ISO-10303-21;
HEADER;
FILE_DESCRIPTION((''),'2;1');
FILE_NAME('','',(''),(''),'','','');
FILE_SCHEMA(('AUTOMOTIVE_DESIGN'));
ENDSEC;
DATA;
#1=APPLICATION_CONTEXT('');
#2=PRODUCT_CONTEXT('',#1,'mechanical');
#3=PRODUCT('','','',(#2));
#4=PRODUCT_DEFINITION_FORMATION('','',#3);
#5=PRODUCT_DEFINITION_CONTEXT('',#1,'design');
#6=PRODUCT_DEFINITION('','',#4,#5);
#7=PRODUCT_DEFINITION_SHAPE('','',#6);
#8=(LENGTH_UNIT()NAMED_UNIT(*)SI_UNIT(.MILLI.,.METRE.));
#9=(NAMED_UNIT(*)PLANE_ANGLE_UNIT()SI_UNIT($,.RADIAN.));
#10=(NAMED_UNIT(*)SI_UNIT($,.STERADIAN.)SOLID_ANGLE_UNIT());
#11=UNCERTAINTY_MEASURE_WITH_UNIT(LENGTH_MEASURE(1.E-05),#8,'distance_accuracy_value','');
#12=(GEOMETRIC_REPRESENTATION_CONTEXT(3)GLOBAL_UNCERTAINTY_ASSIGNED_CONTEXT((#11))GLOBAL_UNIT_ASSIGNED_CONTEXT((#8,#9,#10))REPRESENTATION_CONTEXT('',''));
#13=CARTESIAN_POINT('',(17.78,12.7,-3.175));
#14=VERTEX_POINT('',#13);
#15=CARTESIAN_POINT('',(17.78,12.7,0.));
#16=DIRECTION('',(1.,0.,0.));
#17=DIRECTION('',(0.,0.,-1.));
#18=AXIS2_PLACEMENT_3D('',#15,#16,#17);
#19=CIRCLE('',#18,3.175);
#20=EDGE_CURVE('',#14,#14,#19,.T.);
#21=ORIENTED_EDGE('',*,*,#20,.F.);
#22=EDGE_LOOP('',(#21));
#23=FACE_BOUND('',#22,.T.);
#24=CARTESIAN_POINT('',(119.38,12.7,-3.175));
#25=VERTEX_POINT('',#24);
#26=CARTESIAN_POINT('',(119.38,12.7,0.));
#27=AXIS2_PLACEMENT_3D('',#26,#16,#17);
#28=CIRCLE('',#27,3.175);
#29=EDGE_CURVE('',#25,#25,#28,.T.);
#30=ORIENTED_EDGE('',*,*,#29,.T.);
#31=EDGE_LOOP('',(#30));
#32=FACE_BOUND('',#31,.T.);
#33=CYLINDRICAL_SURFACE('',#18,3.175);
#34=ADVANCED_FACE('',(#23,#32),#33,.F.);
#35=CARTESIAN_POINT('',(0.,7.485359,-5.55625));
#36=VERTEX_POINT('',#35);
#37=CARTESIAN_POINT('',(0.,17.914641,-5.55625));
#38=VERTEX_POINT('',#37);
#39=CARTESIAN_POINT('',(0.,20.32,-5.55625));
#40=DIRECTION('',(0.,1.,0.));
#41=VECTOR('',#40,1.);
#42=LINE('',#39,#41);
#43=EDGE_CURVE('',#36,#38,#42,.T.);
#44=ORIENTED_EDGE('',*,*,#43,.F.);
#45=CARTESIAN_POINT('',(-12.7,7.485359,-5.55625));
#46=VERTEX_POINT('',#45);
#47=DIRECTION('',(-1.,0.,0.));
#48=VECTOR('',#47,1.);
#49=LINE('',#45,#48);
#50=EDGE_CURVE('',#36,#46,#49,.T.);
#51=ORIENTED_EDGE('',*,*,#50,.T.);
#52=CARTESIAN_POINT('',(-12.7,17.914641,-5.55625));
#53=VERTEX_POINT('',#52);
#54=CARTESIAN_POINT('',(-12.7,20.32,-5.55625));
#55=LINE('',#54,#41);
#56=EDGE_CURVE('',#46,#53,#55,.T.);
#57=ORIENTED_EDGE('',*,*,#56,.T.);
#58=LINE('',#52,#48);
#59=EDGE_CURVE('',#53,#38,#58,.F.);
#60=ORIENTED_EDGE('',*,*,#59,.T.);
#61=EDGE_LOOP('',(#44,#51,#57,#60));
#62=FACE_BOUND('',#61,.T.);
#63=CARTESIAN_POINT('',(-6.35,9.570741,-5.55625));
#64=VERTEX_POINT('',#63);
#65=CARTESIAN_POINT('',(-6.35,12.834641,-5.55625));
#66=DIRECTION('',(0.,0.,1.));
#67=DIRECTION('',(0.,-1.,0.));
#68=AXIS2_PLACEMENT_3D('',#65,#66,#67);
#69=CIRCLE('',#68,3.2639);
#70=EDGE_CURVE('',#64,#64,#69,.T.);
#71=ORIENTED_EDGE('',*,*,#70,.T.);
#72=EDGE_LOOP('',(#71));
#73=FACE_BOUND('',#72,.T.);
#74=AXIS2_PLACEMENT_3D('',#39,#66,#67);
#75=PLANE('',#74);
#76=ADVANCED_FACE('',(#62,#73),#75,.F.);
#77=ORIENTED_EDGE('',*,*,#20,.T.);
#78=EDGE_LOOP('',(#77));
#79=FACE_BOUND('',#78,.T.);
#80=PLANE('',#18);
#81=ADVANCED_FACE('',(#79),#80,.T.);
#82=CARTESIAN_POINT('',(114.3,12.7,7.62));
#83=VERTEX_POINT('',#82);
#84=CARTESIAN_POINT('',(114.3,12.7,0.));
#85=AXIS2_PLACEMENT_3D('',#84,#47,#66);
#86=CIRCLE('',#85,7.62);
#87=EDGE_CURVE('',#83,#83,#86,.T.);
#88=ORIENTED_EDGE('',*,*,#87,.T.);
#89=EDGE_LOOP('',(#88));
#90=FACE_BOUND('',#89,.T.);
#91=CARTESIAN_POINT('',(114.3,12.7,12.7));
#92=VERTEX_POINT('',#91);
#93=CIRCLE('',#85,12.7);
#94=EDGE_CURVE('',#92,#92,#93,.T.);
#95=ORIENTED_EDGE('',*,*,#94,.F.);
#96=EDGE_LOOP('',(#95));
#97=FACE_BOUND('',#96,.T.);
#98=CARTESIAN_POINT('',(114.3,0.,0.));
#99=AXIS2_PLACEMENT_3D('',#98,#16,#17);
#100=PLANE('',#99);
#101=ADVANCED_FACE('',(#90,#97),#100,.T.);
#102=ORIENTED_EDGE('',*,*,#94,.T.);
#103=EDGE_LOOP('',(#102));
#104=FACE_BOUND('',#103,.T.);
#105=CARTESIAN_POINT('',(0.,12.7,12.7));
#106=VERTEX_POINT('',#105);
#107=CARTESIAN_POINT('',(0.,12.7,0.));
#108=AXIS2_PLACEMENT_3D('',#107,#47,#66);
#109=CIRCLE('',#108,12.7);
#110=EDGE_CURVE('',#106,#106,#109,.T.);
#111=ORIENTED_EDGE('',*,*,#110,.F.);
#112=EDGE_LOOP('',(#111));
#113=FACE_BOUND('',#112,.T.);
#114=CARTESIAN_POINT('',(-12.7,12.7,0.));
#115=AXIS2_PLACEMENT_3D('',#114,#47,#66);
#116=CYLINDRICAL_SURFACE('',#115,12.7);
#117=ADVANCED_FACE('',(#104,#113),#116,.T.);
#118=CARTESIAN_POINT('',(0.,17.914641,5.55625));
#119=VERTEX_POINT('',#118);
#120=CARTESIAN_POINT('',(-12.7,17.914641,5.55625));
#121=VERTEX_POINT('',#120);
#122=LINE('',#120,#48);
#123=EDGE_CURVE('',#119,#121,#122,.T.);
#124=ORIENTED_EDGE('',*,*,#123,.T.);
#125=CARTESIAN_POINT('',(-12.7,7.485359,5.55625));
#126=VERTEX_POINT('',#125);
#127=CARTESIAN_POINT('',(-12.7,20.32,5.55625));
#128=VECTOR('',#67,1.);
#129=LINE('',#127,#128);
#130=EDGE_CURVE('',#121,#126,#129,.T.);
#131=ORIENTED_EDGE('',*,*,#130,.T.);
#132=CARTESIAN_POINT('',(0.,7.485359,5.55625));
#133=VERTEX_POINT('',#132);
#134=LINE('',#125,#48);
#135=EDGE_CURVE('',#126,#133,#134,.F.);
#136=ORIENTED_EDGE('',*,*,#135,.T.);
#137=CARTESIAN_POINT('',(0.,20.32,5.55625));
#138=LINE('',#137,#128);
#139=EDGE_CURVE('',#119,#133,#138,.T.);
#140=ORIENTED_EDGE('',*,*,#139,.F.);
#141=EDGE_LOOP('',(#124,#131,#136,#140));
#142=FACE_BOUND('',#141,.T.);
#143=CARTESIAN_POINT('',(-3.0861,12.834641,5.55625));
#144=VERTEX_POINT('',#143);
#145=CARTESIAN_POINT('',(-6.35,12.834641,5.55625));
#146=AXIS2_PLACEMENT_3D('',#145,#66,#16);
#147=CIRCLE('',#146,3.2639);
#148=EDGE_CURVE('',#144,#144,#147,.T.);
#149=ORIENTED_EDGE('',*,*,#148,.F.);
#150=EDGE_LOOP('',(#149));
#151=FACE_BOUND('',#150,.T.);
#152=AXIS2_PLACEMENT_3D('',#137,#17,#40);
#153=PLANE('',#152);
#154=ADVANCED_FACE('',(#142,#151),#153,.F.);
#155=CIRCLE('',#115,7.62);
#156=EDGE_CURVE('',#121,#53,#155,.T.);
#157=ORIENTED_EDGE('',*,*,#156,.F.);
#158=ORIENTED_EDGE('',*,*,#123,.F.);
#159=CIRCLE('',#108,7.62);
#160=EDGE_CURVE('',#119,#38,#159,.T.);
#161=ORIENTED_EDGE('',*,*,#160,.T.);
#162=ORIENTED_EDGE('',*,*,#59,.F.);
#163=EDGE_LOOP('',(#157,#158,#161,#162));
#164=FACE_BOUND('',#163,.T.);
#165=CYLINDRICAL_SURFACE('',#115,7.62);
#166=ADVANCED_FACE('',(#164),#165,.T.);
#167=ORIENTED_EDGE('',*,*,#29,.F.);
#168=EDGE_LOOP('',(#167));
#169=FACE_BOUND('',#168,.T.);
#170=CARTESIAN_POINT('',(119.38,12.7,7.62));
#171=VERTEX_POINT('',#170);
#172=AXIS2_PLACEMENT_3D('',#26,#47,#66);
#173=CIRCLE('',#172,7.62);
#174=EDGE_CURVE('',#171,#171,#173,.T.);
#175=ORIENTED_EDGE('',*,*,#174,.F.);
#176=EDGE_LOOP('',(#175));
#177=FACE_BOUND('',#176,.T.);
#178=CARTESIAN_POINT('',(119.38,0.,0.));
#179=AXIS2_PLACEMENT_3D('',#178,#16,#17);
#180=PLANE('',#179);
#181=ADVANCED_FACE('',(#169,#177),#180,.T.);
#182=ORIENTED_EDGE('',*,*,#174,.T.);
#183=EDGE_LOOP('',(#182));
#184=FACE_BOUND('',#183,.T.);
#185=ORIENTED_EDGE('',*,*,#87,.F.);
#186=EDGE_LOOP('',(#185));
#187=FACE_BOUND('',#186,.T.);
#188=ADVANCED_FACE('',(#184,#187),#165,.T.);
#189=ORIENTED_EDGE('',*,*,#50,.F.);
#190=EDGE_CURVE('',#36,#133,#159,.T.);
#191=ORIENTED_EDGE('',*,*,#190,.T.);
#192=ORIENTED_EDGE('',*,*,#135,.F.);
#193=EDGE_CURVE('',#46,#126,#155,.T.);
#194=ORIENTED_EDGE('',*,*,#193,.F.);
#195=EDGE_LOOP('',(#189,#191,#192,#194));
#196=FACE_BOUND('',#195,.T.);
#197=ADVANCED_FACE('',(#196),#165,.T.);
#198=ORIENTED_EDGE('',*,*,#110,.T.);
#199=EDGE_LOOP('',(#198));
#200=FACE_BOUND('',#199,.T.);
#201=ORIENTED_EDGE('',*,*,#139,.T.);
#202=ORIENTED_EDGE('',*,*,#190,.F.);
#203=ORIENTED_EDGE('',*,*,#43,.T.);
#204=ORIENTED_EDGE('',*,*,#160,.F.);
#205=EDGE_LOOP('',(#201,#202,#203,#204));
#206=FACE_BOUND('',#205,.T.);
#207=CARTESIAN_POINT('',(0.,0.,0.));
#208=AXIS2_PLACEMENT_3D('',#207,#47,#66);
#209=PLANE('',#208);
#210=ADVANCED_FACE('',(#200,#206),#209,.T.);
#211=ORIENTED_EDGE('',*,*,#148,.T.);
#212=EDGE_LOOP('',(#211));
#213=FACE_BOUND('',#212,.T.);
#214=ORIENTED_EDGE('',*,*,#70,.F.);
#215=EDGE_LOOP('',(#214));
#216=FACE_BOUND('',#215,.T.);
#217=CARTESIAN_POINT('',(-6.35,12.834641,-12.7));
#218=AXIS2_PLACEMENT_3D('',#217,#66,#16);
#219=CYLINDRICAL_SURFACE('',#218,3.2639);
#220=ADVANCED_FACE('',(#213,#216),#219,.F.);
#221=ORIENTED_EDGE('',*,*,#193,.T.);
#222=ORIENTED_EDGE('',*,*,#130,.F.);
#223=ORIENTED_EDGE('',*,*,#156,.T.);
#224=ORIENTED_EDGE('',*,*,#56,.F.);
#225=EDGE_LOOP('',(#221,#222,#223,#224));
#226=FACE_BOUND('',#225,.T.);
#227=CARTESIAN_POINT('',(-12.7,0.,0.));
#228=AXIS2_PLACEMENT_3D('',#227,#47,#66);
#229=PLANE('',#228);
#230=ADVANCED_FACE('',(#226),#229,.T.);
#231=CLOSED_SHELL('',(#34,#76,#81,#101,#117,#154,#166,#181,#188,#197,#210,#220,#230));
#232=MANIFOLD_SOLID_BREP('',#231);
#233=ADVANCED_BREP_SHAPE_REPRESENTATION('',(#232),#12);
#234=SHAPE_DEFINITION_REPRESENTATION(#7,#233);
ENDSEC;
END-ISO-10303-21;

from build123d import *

# Parameters (mm, degrees)
SKETCH2_R          = 3.175
CUT_EXTRUDE1_DEPTH = 101.6
SKETCH3_W          = 2.54
SKETCH3_H          = 14.827996595
SKETCH3_H_2        = 14.256172231
CUT_EXTRUDE2_DEPTH = 12.7
SKETCH4_R          = 3.2639
CUT_EXTRUDE3_DEPTH = 124.410028215


with BuildPart() as part:
    # Sketch1 → Revolve2 (revolve)
    with BuildSketch(Plane.XY, mode=Mode.PRIVATE) as revolve2_sk:
        Polygon((-12.7, 20.32), (-12.7, 12.7), (119.38, 12.7), (119.38, 20.32), (114.3, 20.32), (114.3, 25.4), (0, 25.4), (0, 20.32), align=None)
    revolve(revolve2_sk.sketch.rotate(Axis((-12.7, 12.7, 0), (1, 0, 0)), 90), axis=Axis((-12.7, 12.7, 0), (1, 0, 0)))

    # Sketch2 → Cut-Extrude1 (cut)
    with BuildSketch(Plane(origin=(119.38, 0, 0), x_dir=(0, 0, -1), z_dir=(1, 0, 0))):
        with Locations((0, 12.7)):
            Circle(SKETCH2_R)
    extrude(amount=-CUT_EXTRUDE1_DEPTH, mode=Mode.SUBTRACT)

    # Sketch3 → Cut-Extrude2 (cut)
    with BuildSketch(Plane.ZY.offset(12.7)):
        with Locations((-6.82625, 12.906001702)):
            Rectangle(SKETCH3_W, SKETCH3_H)
        with Locations((6.82625, 13.191913884)):
            Rectangle(SKETCH3_W, SKETCH3_H_2)
    extrude(amount=-CUT_EXTRUDE2_DEPTH, mode=Mode.SUBTRACT)

    # Sketch4 → Cut-Extrude3 (cut, through all)
    with BuildSketch(Plane.XY.offset(5.55625)):
        with Locations((-6.35, 12.834641497)):
            Circle(SKETCH4_R)
    extrude(amount=-CUT_EXTRUDE3_DEPTH, mode=Mode.SUBTRACT)


solid = part.part
